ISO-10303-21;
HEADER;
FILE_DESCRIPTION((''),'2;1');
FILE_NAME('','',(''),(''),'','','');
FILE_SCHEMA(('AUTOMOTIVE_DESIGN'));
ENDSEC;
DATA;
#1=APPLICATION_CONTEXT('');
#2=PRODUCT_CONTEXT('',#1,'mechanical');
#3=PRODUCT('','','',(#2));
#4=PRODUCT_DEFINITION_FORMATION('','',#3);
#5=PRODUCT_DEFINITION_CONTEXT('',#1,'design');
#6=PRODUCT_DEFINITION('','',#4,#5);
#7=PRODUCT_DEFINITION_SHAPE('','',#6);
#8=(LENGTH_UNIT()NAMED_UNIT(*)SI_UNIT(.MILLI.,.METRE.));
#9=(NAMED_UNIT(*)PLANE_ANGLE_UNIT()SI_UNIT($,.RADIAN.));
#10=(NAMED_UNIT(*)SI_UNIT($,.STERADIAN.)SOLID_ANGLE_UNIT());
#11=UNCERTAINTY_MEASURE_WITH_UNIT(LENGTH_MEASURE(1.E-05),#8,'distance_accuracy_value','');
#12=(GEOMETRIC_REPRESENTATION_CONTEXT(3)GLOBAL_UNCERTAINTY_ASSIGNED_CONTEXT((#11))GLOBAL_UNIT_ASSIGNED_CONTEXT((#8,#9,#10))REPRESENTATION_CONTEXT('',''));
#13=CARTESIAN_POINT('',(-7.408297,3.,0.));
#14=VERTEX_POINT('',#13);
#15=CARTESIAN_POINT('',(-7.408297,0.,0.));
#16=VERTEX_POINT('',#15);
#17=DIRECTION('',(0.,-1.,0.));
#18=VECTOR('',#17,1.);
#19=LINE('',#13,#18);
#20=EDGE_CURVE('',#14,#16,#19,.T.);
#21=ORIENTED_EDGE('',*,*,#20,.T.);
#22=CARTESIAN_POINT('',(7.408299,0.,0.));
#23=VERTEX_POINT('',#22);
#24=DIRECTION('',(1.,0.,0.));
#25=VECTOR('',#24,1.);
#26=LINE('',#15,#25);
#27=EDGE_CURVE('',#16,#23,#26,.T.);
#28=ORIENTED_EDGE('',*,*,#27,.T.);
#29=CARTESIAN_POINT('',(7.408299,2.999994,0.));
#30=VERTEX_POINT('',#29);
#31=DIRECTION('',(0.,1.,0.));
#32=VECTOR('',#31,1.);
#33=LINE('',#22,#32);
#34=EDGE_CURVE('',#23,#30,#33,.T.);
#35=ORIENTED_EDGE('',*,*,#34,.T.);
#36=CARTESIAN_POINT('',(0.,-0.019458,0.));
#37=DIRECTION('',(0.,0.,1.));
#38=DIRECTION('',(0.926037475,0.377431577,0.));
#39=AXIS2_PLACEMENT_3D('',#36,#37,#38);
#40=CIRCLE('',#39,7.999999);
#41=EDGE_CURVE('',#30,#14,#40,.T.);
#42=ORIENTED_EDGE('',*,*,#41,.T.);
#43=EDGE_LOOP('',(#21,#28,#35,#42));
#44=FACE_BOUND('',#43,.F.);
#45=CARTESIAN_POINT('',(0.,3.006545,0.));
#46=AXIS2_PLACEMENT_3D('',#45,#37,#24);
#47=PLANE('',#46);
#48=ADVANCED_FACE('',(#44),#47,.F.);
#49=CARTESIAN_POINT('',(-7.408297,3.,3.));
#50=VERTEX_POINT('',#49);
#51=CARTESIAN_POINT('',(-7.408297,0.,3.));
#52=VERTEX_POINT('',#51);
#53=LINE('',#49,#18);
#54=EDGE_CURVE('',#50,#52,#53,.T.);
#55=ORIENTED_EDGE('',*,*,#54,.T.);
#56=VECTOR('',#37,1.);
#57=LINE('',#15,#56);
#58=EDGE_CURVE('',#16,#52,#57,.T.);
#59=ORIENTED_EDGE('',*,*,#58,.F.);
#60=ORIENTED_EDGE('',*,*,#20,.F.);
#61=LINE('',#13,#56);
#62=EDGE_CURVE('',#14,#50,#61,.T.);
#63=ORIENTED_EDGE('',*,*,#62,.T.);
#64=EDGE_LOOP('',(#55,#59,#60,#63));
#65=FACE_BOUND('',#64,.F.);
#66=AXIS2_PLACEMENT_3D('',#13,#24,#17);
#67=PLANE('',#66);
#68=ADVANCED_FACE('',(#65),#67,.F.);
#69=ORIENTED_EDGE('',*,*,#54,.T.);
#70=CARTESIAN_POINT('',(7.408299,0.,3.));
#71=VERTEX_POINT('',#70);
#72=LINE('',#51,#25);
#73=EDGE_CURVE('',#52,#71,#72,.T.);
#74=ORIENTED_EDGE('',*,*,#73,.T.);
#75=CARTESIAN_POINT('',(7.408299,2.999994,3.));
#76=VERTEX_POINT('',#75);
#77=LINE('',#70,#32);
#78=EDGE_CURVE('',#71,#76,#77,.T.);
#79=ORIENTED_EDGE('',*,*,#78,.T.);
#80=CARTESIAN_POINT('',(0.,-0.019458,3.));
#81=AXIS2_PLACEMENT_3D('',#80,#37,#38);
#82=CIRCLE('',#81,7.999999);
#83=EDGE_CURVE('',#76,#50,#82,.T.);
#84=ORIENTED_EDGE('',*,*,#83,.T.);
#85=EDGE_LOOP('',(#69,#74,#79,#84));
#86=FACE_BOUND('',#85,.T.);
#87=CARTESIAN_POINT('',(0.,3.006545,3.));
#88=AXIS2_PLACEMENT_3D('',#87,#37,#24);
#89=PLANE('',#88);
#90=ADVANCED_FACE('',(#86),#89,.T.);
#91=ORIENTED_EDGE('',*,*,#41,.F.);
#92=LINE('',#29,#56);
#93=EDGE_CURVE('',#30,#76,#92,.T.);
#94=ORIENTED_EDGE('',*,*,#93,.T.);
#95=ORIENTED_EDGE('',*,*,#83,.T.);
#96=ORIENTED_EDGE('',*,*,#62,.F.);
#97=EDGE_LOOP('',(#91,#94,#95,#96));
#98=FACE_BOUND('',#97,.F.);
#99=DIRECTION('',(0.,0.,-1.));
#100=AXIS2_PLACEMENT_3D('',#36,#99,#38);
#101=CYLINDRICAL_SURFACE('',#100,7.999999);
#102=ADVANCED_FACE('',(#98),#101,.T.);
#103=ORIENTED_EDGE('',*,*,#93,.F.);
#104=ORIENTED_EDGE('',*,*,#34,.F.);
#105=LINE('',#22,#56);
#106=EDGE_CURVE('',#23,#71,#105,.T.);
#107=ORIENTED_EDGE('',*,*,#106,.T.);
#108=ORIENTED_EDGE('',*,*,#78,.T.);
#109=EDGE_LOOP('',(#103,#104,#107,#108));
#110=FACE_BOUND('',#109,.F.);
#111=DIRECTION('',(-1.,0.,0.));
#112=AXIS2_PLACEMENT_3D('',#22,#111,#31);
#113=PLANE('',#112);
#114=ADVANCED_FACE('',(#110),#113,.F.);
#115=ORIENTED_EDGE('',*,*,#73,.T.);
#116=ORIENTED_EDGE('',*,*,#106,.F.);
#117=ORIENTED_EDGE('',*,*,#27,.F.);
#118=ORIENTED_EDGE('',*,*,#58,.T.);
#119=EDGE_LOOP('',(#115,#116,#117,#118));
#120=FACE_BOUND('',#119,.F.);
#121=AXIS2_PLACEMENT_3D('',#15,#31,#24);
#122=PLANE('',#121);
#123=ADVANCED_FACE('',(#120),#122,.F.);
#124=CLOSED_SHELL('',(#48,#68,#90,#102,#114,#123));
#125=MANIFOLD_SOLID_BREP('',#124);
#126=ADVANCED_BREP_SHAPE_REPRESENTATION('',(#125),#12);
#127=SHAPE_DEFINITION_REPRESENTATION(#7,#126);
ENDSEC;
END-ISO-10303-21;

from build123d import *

# Parameters (mm, degrees)
F1_DEPTH = 3


with BuildPart() as f1:
    # F0 (on Top) → F1 (new body)
    with BuildSketch(Plane.XY):
        with BuildLine():
            Line((7.408299, 0), (7.408299, 2.999994))
            ThreePointArc((7.408299, 2.999994), (3e-06, 7.980541), (-7.408297, 3))
            Line((-7.408297, 3), (-7.408297, 0))
            Line((-7.408297, 0), (7.408299, 0))
        make_face()
    extrude(amount=F1_DEPTH)


solid = f1.part
